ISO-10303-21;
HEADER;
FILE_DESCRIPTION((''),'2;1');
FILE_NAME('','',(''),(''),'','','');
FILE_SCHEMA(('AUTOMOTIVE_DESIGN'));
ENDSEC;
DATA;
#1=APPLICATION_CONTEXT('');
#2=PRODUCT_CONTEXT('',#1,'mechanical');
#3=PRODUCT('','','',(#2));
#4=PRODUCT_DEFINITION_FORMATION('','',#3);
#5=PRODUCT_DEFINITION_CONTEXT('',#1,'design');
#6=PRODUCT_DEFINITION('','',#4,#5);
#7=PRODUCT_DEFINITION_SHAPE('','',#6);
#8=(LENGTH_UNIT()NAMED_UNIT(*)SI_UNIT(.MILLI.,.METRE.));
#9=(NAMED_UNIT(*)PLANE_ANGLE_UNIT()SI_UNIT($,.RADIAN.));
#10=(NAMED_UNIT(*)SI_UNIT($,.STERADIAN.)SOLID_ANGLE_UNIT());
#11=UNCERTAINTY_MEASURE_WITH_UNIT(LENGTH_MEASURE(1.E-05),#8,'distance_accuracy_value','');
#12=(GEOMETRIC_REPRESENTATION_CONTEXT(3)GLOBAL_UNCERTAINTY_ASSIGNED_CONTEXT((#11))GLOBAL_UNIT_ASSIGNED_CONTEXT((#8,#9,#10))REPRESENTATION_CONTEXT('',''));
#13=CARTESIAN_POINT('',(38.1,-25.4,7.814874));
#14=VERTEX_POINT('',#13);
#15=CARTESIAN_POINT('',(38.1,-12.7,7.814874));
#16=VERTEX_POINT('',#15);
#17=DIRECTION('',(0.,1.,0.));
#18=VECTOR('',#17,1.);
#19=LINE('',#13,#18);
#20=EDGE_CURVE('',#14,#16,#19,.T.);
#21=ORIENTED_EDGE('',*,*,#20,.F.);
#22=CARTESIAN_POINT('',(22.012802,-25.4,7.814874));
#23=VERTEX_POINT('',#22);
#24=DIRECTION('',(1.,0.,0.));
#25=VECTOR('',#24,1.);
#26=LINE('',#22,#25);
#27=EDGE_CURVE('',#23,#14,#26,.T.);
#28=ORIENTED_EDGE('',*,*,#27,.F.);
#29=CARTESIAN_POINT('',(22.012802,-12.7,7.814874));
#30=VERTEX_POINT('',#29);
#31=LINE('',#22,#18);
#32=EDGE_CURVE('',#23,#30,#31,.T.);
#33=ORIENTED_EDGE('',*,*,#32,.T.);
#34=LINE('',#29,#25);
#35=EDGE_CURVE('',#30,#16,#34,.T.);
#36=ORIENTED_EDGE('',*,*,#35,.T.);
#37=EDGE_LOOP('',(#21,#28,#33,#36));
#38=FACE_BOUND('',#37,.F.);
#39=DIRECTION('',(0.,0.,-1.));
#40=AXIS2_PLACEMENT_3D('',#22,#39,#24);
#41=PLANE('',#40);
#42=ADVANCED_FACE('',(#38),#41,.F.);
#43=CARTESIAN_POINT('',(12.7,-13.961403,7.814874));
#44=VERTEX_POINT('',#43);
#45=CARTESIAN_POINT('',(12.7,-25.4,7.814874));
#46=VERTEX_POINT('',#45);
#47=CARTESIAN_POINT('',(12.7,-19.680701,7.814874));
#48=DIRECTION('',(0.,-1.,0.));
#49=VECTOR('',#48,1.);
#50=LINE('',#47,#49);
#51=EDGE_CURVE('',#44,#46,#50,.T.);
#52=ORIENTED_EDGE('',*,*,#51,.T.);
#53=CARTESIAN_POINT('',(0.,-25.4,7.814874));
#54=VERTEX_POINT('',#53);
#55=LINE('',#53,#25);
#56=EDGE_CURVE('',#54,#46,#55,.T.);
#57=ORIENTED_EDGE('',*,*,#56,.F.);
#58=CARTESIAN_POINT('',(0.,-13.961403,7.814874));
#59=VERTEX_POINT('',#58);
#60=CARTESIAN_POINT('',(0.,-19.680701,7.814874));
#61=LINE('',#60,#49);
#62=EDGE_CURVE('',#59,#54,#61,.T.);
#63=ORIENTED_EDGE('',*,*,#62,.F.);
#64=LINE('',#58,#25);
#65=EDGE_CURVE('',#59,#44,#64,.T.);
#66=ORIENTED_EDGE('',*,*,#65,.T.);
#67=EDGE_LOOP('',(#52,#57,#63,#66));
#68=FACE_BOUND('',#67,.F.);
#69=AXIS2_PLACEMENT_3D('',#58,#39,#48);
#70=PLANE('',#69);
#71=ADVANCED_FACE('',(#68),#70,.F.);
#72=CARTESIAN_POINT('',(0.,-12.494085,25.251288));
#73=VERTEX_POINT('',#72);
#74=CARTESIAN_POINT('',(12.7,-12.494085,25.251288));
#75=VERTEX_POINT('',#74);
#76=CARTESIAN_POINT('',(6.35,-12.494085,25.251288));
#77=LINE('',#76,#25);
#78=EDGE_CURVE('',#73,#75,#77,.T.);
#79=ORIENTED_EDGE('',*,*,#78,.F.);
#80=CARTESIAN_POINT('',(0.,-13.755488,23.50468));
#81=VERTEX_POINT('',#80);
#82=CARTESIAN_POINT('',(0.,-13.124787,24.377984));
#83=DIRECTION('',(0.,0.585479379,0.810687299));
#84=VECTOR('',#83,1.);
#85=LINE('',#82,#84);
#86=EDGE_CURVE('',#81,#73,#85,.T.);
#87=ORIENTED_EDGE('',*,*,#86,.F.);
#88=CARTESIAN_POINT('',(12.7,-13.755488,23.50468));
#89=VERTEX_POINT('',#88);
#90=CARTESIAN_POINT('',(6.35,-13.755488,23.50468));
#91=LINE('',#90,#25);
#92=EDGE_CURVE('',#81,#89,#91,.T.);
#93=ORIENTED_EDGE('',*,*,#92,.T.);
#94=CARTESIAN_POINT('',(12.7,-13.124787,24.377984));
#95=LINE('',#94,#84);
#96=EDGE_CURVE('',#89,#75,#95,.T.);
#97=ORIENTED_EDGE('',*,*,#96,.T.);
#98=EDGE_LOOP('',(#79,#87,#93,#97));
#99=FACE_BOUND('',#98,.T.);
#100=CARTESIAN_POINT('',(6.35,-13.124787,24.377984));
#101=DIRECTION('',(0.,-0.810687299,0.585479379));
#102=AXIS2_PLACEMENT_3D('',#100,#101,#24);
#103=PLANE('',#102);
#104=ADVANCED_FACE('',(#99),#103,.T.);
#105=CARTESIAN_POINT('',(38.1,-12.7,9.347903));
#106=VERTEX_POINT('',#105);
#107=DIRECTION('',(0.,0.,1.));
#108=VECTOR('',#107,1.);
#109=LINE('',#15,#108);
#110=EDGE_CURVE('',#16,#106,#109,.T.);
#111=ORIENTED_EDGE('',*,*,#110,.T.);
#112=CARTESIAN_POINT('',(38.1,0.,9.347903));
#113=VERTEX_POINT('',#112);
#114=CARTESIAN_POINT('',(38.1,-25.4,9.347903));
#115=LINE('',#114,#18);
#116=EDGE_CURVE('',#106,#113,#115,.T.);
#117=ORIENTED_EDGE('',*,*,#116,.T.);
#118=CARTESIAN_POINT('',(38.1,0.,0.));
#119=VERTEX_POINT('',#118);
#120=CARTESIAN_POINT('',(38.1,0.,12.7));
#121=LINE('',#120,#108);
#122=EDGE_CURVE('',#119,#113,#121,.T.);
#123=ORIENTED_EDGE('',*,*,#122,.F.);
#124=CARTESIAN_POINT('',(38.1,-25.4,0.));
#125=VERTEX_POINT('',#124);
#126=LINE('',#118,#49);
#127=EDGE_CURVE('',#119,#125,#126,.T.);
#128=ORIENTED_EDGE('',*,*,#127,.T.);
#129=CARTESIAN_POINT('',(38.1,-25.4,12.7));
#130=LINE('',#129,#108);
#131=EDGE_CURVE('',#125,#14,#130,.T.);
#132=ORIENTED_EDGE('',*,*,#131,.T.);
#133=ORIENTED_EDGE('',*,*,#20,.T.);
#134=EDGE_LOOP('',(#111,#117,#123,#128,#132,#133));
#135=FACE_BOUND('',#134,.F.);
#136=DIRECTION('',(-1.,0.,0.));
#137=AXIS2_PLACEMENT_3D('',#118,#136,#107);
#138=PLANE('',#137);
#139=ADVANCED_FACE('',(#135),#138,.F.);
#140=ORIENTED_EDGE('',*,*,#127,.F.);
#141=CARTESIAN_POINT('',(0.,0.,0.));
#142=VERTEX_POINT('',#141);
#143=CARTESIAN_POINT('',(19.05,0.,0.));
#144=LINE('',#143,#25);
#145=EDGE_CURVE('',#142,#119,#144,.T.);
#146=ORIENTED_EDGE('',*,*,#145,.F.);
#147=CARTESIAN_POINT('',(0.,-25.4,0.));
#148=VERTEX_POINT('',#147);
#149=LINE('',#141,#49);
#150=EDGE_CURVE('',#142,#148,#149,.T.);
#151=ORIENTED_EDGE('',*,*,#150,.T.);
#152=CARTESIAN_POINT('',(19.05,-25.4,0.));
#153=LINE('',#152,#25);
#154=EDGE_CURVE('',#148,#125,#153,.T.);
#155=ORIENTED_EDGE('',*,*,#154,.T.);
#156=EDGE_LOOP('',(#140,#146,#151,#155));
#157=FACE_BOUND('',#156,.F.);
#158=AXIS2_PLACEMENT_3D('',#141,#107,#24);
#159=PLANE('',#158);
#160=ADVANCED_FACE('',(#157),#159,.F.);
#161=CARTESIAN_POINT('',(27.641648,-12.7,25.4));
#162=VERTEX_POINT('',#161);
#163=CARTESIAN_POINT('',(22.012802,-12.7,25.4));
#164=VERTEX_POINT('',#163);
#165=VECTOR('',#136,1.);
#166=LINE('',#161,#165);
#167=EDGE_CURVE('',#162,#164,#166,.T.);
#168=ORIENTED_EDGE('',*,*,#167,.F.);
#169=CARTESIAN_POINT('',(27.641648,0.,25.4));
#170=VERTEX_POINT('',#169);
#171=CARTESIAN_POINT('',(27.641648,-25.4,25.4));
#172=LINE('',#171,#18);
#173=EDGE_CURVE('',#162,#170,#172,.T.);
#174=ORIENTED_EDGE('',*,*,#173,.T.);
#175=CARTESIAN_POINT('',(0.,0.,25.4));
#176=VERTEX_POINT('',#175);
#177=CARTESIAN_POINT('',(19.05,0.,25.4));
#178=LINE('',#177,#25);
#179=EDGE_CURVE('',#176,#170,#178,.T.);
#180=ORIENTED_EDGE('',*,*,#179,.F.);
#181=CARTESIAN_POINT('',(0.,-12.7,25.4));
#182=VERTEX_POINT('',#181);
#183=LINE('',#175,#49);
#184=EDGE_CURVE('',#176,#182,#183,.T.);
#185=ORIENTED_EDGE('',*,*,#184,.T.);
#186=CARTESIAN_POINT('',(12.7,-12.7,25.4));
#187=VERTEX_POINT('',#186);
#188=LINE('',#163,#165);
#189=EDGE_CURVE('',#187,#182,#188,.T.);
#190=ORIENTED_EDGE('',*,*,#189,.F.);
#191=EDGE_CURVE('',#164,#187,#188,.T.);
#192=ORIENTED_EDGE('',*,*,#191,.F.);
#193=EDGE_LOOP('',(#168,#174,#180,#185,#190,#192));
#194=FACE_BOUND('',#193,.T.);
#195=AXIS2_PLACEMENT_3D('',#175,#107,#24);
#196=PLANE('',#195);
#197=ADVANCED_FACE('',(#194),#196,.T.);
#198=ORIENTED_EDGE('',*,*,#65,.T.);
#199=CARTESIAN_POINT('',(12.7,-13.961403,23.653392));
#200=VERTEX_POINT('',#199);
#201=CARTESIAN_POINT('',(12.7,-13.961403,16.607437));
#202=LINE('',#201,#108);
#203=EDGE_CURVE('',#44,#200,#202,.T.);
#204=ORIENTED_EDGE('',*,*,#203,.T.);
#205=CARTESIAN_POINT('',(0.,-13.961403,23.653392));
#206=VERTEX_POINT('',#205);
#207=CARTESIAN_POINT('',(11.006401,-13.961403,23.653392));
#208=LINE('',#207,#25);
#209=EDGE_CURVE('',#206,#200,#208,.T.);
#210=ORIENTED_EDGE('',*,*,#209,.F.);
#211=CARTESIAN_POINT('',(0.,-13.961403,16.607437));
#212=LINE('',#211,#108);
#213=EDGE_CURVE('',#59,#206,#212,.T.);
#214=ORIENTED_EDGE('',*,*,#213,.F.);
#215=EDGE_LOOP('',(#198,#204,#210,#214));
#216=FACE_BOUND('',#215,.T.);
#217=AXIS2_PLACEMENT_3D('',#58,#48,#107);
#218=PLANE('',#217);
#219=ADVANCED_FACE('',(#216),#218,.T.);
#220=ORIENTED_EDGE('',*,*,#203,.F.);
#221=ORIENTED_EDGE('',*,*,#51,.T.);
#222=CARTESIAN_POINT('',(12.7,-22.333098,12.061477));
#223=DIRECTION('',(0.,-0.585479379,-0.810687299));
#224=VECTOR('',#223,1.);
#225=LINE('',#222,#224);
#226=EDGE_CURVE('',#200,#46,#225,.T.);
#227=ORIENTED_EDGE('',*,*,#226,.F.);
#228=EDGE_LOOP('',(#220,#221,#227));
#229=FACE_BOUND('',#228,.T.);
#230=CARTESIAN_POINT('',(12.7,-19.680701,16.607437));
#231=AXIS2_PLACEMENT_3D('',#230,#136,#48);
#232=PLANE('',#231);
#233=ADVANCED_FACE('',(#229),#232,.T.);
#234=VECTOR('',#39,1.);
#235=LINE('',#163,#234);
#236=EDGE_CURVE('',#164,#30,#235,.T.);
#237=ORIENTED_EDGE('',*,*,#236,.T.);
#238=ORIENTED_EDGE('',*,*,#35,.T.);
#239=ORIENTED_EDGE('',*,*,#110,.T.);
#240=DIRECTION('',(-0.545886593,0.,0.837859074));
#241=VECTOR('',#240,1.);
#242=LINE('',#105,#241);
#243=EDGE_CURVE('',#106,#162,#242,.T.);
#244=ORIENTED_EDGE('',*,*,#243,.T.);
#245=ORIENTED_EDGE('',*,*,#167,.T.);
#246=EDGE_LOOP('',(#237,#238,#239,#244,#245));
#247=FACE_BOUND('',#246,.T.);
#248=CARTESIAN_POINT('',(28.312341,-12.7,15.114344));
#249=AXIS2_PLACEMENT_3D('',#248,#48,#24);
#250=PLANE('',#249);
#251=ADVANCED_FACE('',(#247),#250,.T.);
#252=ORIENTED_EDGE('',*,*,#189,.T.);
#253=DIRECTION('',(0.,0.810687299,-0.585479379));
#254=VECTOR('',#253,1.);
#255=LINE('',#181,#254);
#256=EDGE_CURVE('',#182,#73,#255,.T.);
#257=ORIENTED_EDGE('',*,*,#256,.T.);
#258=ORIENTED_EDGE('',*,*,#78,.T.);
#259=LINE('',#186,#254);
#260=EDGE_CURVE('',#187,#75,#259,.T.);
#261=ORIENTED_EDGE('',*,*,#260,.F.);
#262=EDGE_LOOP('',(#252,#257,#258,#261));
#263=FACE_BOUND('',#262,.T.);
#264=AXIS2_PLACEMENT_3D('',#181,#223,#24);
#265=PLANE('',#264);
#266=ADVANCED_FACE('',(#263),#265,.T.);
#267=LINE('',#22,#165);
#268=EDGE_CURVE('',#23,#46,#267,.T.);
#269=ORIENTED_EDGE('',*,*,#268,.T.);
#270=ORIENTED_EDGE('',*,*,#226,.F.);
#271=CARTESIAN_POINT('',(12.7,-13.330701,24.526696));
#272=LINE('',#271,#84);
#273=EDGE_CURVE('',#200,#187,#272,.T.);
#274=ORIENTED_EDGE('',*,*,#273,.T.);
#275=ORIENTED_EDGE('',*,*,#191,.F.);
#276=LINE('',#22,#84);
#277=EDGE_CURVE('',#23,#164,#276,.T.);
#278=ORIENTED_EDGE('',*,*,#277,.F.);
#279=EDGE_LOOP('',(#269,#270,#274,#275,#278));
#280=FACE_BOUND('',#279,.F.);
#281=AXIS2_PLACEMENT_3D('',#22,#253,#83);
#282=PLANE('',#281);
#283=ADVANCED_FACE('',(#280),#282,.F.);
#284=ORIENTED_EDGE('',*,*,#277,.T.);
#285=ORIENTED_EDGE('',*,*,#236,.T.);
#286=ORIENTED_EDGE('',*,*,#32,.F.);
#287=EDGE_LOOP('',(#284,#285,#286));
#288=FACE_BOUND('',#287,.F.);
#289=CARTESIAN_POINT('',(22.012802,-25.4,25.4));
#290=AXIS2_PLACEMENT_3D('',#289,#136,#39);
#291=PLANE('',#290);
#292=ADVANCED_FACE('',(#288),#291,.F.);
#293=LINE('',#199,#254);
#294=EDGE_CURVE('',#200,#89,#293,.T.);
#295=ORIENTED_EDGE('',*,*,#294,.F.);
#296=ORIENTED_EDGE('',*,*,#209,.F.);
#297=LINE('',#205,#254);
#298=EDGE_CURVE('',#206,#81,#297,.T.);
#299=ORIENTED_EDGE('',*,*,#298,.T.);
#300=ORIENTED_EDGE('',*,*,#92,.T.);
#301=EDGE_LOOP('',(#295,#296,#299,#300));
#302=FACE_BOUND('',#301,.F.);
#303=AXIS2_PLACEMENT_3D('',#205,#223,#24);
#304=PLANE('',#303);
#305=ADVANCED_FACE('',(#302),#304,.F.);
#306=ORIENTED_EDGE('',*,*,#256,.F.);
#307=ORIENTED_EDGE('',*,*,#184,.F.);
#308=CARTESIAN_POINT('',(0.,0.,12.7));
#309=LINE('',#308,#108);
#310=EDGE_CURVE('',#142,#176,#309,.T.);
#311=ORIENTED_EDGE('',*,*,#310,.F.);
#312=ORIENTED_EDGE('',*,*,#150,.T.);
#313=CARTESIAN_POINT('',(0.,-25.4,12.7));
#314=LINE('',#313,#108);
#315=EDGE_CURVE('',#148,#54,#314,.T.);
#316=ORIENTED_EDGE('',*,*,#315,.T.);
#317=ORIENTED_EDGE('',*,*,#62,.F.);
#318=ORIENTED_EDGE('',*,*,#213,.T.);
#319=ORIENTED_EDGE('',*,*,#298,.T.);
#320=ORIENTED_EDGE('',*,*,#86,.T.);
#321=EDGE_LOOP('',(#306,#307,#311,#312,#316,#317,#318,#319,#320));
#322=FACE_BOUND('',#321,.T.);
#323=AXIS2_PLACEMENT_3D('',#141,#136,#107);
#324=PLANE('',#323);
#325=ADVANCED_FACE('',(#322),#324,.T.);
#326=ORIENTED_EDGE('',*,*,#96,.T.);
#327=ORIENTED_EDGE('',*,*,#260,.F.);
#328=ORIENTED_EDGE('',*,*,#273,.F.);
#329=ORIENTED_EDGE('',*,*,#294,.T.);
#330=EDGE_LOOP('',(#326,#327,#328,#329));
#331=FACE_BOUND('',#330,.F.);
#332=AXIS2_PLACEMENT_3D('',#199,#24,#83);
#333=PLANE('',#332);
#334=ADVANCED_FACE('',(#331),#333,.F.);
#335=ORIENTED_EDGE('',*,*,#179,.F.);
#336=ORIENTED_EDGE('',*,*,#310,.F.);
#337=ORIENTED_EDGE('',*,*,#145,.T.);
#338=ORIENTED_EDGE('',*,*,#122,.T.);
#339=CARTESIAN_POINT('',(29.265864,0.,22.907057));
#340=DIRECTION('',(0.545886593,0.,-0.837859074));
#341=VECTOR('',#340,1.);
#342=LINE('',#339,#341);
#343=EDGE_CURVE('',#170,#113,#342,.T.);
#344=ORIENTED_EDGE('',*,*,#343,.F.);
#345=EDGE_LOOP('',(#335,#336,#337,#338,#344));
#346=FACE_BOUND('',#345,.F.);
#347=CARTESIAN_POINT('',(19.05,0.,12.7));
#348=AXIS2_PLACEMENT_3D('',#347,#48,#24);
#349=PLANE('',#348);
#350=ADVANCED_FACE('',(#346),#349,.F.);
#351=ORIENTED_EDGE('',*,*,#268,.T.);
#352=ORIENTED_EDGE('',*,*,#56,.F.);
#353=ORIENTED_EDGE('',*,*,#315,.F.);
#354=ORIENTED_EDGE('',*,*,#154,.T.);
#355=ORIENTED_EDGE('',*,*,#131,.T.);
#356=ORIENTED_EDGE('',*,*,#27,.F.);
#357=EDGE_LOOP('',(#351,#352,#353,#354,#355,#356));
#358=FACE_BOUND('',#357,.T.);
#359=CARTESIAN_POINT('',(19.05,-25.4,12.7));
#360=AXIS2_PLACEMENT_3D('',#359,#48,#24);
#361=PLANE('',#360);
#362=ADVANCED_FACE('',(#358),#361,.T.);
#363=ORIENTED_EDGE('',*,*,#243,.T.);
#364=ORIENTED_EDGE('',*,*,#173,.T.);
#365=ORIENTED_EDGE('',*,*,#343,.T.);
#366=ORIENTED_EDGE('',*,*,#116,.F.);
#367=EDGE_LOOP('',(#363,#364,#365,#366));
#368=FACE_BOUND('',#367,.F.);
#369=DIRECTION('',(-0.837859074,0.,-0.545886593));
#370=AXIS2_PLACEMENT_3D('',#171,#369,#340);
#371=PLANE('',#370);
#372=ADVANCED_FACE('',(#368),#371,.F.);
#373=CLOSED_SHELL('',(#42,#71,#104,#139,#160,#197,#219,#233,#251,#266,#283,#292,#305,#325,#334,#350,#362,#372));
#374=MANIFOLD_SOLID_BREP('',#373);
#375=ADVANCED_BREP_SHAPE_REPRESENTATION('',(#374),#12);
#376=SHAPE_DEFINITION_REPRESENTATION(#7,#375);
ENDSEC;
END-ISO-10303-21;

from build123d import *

# Parameters (mm, degrees)
F0_W      = 38.1
F0_H      = 25.4
F1_DEPTH  = 25.4
F3_DEPTH  = 25.401
F4_W      = 11.4385973006
F4_H      = 17.5851260588
F5_DEPTH  = 12.7
F7_DEPTH  = 12.7
F9_DEPTH  = 25.4
F10_W     = 12.7
F10_H     = 2.1544784386
F11_DEPTH = 0.254


with BuildPart() as f1:
    # F0 (on Front) → F1 (new body)
    with BuildSketch(Plane.XZ):
        with Locations((19.05, 12.7)):
            Rectangle(F0_W, F0_H)
    extrude(amount=F1_DEPTH)

    # F2 (on face) → F3 (cut, through all)
    with BuildSketch(Plane.XZ.offset(25.4)):
        Polygon((38.1, 25.4), (27.6416484267, 25.4), (38.1, 9.3479026109), align=None)
    extrude(amount=-F3_DEPTH, mode=Mode.SUBTRACT)

    # F4 (on face) → F5 (cut)
    with BuildSketch(Plane(origin=(0, 0, 0), x_dir=(0, -1, 0), z_dir=(-1, 0, 0))):
        with Locations((19.6807013497, 16.6074369706)):
            Rectangle(F4_W, F4_H)
    extrude(amount=-F5_DEPTH, mode=Mode.SUBTRACT)

    # F6 (on face) → F7 (cut)
    with BuildSketch(Plane.XZ.offset(25.4)):
        Polygon((22.0128018409, 25.4), (22.0128018409, 7.8148739412), (38.1, 7.8148739412), (38.1, 9.3479026109), (27.6416484267, 25.4), align=None)
    extrude(amount=-F7_DEPTH, mode=Mode.SUBTRACT)

    # F8 (on face) → F9 (cut)
    with BuildSketch(Plane.YZ.offset(22.0128018409)):
        Polygon((-25.4, 25.4), (-25.4, 7.8148739412), (-12.7, 25.4), align=None)
    extrude(amount=-F9_DEPTH, mode=Mode.SUBTRACT)

    # F10 (on face) → F11 (cut)
    with BuildSketch(Plane(origin=(0, -20.4024901747, 14.7347038828), x_dir=(1, 0, 0), z_dir=(0, -0.8106872987, 0.5854793795))):
        with Locations((6.35, 12.0786300472)):
            Rectangle(F10_W, F10_H)
    extrude(amount=-F11_DEPTH, mode=Mode.SUBTRACT)


solid = f1.part
